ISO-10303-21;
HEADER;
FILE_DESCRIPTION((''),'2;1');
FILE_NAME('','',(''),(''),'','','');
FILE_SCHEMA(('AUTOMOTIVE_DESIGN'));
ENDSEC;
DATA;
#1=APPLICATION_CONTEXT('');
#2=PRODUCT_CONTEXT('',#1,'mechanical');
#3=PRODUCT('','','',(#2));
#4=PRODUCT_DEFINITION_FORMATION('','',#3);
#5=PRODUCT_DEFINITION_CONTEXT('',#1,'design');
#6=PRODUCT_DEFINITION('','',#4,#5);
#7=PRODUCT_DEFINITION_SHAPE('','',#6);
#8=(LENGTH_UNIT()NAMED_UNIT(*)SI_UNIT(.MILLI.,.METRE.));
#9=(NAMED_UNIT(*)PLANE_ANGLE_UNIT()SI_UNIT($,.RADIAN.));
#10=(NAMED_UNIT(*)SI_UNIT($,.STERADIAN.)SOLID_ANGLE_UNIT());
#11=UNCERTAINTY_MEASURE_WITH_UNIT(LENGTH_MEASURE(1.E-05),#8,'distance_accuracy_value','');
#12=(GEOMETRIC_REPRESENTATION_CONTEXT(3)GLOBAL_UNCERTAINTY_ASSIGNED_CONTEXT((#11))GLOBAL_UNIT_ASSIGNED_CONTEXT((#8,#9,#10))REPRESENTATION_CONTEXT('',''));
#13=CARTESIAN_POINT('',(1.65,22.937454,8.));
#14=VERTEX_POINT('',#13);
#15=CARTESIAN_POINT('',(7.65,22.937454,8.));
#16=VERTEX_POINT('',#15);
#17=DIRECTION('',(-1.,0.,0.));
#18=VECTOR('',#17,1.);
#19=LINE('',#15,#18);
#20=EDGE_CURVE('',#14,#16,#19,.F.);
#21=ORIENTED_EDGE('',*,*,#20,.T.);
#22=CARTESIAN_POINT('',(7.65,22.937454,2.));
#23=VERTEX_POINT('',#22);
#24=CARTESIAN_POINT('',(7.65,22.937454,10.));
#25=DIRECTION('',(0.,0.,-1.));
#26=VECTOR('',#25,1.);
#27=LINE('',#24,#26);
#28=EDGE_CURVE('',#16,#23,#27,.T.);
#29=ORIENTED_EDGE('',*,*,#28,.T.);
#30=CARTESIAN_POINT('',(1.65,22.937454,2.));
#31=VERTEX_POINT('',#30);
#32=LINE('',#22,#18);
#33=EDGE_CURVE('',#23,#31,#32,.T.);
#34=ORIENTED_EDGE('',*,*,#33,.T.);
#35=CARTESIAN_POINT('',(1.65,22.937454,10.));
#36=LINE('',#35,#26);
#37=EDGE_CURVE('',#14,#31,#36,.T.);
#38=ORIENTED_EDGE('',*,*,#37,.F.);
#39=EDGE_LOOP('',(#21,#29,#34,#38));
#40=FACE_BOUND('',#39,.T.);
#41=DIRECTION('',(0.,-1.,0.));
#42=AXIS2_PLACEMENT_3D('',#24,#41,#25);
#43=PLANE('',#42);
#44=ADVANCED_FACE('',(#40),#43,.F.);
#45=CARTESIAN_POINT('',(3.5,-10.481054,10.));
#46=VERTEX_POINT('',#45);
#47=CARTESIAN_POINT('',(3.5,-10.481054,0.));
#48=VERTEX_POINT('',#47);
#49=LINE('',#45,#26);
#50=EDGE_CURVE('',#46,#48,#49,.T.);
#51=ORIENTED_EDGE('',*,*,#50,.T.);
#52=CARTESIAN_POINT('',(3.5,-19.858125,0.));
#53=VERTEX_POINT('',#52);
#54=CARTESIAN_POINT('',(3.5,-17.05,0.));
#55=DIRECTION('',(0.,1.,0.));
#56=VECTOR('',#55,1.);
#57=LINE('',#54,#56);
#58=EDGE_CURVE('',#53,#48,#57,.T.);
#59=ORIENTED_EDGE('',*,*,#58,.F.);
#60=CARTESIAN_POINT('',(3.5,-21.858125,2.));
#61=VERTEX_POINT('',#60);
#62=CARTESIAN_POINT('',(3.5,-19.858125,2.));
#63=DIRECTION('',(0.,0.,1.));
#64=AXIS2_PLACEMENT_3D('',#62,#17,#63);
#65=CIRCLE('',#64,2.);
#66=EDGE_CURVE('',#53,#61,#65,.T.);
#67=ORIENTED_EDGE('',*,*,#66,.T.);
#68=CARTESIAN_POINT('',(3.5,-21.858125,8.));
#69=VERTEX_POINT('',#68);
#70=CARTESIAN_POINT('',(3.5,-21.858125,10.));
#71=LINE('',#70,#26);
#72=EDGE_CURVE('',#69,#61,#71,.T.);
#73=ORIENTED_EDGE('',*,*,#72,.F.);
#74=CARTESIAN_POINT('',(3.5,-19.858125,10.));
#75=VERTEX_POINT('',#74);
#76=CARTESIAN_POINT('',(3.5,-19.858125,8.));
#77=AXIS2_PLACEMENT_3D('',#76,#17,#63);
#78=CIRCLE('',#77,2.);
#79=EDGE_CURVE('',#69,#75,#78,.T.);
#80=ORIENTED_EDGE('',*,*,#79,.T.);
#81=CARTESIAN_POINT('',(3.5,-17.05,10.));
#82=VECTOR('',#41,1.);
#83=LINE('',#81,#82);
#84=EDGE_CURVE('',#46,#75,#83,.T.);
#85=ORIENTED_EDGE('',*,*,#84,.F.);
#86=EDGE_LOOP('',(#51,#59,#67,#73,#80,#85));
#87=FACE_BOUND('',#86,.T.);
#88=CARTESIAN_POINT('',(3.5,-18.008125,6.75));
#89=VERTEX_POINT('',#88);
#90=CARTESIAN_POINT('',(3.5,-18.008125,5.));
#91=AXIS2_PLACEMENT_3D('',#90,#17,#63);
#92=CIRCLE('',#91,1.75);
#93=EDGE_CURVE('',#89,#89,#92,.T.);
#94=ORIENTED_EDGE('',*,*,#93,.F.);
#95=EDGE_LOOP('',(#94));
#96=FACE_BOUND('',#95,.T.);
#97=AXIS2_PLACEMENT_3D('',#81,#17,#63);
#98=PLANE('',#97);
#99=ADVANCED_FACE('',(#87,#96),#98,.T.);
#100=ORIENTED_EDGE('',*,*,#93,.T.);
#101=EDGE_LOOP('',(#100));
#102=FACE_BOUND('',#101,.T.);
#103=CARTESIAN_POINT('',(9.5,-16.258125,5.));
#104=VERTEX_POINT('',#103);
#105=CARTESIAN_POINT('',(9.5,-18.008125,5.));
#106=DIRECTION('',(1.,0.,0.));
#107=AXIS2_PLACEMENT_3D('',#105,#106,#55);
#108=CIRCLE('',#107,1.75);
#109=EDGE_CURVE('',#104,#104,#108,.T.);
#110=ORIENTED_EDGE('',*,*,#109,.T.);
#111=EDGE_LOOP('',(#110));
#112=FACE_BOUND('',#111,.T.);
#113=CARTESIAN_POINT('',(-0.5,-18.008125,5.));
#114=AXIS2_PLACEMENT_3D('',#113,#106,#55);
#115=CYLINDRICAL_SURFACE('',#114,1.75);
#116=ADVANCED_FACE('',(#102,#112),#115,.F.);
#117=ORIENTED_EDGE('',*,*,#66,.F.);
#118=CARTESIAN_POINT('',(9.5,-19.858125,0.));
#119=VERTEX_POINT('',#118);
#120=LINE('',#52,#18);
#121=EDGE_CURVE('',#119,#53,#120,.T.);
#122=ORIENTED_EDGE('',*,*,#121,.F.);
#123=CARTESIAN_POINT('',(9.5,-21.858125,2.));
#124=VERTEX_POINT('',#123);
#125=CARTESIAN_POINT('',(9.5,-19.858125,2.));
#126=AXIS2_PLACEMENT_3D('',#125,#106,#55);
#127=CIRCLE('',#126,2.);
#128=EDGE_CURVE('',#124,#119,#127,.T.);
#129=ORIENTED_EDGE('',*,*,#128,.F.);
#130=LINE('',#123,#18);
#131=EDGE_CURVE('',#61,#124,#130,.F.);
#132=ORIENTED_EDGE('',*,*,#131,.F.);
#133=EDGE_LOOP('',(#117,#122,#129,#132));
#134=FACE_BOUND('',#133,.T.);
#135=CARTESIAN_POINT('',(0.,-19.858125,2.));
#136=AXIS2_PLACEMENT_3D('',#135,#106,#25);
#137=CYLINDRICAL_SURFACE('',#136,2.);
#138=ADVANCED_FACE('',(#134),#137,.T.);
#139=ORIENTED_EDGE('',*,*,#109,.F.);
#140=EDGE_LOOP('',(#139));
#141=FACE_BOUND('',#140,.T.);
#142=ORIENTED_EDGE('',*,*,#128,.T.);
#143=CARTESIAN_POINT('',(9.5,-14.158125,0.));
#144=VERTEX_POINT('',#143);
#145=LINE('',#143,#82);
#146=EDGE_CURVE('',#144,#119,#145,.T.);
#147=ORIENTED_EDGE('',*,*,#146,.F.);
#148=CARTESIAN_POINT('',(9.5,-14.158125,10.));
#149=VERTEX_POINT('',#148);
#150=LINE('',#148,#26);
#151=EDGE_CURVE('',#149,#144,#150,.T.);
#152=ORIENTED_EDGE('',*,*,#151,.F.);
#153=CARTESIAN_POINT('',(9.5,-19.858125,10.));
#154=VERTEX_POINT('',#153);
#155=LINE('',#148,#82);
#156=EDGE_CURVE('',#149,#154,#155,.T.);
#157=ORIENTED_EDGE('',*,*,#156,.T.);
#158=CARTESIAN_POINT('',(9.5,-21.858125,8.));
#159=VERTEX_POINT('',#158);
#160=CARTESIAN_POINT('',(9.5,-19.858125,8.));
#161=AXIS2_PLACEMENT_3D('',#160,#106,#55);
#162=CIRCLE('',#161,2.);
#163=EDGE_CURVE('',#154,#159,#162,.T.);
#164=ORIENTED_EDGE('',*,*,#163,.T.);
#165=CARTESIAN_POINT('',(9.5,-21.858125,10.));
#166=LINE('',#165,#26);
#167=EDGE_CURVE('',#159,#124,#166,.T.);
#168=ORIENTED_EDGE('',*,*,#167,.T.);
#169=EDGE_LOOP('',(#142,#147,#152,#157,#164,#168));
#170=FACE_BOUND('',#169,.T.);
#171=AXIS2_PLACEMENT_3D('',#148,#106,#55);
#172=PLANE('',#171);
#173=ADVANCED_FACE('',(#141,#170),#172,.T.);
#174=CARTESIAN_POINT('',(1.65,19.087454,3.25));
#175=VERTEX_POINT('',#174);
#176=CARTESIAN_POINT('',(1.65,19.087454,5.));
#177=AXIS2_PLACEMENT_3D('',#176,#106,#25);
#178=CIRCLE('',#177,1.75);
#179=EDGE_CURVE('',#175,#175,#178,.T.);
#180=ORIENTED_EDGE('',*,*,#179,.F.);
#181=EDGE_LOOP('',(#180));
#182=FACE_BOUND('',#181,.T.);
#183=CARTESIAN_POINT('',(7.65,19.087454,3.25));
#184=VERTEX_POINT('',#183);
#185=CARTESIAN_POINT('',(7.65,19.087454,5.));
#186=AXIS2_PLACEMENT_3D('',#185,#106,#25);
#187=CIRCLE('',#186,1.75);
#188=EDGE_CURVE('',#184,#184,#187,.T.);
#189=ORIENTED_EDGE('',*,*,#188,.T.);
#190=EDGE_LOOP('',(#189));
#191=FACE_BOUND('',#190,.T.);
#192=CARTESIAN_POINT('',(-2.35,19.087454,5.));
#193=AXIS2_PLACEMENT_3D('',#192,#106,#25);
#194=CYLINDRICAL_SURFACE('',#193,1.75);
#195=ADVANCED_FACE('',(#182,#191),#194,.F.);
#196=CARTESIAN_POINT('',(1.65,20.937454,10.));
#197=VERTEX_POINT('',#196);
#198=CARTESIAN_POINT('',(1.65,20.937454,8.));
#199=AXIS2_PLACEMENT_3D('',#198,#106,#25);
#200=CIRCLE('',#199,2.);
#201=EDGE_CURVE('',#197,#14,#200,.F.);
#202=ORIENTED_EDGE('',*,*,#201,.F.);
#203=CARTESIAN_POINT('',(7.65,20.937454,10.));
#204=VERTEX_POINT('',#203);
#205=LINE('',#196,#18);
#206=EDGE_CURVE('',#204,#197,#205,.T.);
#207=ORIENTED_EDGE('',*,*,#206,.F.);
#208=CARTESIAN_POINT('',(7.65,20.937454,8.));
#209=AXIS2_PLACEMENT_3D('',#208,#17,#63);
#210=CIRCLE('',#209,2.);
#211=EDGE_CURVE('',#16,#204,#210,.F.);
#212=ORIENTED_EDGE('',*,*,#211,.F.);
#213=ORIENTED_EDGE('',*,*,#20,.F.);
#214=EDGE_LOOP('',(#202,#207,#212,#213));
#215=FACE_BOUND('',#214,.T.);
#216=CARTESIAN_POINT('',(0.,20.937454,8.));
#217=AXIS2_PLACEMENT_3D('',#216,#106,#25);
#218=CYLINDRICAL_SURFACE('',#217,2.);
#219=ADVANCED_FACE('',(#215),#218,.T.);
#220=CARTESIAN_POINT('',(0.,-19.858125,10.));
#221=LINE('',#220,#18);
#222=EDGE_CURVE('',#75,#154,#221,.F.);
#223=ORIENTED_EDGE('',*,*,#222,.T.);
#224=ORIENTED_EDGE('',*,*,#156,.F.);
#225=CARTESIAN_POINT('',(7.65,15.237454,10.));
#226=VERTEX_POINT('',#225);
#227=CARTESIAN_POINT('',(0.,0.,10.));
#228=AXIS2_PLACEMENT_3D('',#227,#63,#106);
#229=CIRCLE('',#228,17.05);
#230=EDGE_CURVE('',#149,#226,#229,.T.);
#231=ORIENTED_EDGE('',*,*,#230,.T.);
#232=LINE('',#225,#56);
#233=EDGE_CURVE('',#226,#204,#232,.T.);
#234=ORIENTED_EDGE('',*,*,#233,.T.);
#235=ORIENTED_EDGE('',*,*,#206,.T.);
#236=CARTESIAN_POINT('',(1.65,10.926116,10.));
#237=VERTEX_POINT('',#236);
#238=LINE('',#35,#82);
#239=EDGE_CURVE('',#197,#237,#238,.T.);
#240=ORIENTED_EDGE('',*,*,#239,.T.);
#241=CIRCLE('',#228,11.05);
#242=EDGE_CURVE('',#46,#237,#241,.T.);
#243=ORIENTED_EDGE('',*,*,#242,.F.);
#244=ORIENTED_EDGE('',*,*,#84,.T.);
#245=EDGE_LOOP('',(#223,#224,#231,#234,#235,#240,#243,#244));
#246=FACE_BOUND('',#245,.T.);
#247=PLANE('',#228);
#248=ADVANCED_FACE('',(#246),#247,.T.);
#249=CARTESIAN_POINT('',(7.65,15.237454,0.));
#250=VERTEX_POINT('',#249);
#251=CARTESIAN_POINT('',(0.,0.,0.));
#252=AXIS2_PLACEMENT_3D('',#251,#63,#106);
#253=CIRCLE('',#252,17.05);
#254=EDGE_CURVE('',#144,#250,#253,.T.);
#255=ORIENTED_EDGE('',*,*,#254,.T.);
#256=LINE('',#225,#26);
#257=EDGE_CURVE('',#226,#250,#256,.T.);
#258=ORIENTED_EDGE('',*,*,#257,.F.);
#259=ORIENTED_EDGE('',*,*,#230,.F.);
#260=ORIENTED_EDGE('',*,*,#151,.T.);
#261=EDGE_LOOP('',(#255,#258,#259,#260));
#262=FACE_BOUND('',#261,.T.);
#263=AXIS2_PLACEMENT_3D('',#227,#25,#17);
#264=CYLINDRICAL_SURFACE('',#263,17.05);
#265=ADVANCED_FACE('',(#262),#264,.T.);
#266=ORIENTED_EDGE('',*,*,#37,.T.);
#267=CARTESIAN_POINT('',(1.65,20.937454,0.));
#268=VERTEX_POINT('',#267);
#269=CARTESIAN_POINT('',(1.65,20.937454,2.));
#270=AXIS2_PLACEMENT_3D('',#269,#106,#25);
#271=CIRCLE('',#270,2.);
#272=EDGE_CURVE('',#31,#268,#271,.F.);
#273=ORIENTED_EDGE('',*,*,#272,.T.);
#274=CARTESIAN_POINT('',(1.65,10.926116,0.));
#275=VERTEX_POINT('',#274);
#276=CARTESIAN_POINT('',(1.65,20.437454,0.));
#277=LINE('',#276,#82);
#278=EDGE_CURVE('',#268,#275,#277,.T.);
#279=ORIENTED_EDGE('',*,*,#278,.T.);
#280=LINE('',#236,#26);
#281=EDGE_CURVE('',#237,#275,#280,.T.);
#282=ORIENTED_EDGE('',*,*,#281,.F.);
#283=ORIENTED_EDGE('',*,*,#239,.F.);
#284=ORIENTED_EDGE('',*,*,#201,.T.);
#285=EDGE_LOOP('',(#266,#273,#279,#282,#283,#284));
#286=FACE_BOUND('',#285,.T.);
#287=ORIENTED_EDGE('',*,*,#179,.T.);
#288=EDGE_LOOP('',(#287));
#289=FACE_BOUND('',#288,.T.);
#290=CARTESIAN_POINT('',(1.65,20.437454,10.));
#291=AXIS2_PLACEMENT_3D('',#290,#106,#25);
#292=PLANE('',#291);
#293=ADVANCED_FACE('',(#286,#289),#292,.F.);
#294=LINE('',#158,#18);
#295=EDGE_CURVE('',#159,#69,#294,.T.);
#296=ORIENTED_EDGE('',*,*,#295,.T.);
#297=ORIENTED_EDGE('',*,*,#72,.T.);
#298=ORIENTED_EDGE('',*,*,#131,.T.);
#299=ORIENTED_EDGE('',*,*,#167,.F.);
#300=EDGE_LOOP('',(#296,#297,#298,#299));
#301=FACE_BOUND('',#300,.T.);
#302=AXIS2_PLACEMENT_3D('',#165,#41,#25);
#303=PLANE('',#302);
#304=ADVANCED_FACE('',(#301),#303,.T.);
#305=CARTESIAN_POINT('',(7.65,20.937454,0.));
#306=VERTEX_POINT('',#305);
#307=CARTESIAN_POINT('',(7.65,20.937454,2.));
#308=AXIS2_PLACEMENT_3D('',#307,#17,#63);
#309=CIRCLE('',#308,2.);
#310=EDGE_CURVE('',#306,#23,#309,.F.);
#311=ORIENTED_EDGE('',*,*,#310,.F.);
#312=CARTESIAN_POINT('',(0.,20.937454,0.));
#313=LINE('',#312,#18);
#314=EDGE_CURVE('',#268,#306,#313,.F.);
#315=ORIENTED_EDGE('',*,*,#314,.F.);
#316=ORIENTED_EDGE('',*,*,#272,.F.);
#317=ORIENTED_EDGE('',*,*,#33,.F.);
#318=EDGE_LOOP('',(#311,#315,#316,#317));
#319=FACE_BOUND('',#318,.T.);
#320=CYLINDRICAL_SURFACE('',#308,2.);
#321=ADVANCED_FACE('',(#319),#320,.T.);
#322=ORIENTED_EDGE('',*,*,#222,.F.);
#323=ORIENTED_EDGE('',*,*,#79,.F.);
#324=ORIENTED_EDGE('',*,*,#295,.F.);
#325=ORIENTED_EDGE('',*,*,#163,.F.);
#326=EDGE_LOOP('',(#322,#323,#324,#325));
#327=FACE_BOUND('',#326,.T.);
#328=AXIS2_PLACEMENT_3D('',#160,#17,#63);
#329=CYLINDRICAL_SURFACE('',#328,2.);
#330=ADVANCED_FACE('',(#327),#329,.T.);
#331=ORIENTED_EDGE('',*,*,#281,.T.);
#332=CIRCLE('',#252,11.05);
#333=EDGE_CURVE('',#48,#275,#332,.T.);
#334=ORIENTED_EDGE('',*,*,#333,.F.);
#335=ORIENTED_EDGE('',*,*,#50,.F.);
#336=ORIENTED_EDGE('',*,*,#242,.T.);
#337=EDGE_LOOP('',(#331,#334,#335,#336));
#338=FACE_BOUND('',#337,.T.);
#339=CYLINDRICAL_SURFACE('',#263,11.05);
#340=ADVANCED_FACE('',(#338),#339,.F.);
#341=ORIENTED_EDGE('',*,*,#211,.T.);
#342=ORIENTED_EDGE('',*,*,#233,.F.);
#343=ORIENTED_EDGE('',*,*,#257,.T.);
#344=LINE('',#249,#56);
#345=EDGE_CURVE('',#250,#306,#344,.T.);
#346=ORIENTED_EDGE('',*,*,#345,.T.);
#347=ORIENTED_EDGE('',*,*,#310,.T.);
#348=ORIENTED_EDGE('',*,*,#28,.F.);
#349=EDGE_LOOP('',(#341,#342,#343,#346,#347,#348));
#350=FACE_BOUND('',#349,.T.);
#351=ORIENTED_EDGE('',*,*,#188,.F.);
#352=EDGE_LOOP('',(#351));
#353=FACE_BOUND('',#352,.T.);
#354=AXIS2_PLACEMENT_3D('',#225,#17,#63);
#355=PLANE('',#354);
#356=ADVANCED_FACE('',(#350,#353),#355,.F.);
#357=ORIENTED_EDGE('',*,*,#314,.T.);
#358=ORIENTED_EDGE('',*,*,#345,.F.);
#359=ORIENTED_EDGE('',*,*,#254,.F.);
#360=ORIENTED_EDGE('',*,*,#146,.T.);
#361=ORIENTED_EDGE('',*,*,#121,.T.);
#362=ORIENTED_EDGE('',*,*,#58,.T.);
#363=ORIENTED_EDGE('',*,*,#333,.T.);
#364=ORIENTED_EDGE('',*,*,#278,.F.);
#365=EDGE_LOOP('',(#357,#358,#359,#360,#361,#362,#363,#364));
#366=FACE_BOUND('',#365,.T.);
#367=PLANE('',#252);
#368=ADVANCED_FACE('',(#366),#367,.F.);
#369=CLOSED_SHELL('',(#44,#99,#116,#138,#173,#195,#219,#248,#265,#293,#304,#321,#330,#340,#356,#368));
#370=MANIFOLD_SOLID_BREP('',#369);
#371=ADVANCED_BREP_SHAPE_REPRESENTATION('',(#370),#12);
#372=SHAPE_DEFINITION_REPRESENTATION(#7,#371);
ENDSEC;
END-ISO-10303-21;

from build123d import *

# Parameters (mm, degrees)
BOSS_EXTRUDE1_DEPTH = 10
SKETCH3_R           = 1.75
CUT_EXTRUDE1_DEPTH  = 10
SKETCH2_R           = 1.75
CUT_EXTRUDE2_DEPTH  = 10
FILLET1_R           = 2


with BuildPart() as part:
    # Sketch1 → Boss-Extrude1 (new body)
    with BuildSketch(Plane.XY):
        with BuildLine():
            Line((3.5, -17.05), (3.5, -10.481054336))
            ThreePointArc((3.5, -10.481054336), (11.008967033, 0.951391014), (1.65, 10.926115504))
            Line((1.65, 10.926115504), (1.65, 20.437453856))
            Line((1.65, 20.437453856), (1.65, 22.937453856))
            Line((1.65, 22.937453856), (7.65, 22.937453856))
            Line((7.65, 22.937453856), (7.65, 15.237453856))
            ThreePointArc((7.65, 15.237453856), (17.016334424, 1.070916786), (9.5, -14.158124876))
            Line((9.5, -14.158124876), (9.5, -21.858124876))
            Line((9.5, -21.858124876), (3.5, -21.858124876))
            Line((3.5, -21.858124876), (3.5, -19.358124876))
            Line((3.5, -19.358124876), (3.5, -17.05))
        make_face()
    extrude(amount=BOSS_EXTRUDE1_DEPTH)

    # Sketch3 → Cut-Extrude1 (cut)
    with BuildSketch(Plane(origin=(9.5, 0, 0), x_dir=(0, 0, -1), z_dir=(1, 0, 0))):
        with Locations(Location((-5, -18.008124876, 0), (0, 0, 90))):
            Circle(SKETCH3_R)
    extrude(amount=-CUT_EXTRUDE1_DEPTH, mode=Mode.SUBTRACT)

    # Sketch2 → Cut-Extrude2 (cut)
    with BuildSketch(Plane(origin=(7.65, 0, 0), x_dir=(0, 0, -1), z_dir=(1, 0, 0))):
        with Locations((-5, 19.087453856)):
            Circle(SKETCH2_R)
    extrude(amount=-CUT_EXTRUDE2_DEPTH, mode=Mode.SUBTRACT)

    # Fillet1
    fillet1_edges = [part.edges().sort_by_distance(p)[0] for p in [
        (4.65, 22.937453856, 0),
        (6.5, -21.858124876, 10),
        (6.5, -21.858124876, 0),
        (4.65, 22.937453856, 10),
    ]]
    fillet(fillet1_edges, radius=FILLET1_R)


solid = part.part
